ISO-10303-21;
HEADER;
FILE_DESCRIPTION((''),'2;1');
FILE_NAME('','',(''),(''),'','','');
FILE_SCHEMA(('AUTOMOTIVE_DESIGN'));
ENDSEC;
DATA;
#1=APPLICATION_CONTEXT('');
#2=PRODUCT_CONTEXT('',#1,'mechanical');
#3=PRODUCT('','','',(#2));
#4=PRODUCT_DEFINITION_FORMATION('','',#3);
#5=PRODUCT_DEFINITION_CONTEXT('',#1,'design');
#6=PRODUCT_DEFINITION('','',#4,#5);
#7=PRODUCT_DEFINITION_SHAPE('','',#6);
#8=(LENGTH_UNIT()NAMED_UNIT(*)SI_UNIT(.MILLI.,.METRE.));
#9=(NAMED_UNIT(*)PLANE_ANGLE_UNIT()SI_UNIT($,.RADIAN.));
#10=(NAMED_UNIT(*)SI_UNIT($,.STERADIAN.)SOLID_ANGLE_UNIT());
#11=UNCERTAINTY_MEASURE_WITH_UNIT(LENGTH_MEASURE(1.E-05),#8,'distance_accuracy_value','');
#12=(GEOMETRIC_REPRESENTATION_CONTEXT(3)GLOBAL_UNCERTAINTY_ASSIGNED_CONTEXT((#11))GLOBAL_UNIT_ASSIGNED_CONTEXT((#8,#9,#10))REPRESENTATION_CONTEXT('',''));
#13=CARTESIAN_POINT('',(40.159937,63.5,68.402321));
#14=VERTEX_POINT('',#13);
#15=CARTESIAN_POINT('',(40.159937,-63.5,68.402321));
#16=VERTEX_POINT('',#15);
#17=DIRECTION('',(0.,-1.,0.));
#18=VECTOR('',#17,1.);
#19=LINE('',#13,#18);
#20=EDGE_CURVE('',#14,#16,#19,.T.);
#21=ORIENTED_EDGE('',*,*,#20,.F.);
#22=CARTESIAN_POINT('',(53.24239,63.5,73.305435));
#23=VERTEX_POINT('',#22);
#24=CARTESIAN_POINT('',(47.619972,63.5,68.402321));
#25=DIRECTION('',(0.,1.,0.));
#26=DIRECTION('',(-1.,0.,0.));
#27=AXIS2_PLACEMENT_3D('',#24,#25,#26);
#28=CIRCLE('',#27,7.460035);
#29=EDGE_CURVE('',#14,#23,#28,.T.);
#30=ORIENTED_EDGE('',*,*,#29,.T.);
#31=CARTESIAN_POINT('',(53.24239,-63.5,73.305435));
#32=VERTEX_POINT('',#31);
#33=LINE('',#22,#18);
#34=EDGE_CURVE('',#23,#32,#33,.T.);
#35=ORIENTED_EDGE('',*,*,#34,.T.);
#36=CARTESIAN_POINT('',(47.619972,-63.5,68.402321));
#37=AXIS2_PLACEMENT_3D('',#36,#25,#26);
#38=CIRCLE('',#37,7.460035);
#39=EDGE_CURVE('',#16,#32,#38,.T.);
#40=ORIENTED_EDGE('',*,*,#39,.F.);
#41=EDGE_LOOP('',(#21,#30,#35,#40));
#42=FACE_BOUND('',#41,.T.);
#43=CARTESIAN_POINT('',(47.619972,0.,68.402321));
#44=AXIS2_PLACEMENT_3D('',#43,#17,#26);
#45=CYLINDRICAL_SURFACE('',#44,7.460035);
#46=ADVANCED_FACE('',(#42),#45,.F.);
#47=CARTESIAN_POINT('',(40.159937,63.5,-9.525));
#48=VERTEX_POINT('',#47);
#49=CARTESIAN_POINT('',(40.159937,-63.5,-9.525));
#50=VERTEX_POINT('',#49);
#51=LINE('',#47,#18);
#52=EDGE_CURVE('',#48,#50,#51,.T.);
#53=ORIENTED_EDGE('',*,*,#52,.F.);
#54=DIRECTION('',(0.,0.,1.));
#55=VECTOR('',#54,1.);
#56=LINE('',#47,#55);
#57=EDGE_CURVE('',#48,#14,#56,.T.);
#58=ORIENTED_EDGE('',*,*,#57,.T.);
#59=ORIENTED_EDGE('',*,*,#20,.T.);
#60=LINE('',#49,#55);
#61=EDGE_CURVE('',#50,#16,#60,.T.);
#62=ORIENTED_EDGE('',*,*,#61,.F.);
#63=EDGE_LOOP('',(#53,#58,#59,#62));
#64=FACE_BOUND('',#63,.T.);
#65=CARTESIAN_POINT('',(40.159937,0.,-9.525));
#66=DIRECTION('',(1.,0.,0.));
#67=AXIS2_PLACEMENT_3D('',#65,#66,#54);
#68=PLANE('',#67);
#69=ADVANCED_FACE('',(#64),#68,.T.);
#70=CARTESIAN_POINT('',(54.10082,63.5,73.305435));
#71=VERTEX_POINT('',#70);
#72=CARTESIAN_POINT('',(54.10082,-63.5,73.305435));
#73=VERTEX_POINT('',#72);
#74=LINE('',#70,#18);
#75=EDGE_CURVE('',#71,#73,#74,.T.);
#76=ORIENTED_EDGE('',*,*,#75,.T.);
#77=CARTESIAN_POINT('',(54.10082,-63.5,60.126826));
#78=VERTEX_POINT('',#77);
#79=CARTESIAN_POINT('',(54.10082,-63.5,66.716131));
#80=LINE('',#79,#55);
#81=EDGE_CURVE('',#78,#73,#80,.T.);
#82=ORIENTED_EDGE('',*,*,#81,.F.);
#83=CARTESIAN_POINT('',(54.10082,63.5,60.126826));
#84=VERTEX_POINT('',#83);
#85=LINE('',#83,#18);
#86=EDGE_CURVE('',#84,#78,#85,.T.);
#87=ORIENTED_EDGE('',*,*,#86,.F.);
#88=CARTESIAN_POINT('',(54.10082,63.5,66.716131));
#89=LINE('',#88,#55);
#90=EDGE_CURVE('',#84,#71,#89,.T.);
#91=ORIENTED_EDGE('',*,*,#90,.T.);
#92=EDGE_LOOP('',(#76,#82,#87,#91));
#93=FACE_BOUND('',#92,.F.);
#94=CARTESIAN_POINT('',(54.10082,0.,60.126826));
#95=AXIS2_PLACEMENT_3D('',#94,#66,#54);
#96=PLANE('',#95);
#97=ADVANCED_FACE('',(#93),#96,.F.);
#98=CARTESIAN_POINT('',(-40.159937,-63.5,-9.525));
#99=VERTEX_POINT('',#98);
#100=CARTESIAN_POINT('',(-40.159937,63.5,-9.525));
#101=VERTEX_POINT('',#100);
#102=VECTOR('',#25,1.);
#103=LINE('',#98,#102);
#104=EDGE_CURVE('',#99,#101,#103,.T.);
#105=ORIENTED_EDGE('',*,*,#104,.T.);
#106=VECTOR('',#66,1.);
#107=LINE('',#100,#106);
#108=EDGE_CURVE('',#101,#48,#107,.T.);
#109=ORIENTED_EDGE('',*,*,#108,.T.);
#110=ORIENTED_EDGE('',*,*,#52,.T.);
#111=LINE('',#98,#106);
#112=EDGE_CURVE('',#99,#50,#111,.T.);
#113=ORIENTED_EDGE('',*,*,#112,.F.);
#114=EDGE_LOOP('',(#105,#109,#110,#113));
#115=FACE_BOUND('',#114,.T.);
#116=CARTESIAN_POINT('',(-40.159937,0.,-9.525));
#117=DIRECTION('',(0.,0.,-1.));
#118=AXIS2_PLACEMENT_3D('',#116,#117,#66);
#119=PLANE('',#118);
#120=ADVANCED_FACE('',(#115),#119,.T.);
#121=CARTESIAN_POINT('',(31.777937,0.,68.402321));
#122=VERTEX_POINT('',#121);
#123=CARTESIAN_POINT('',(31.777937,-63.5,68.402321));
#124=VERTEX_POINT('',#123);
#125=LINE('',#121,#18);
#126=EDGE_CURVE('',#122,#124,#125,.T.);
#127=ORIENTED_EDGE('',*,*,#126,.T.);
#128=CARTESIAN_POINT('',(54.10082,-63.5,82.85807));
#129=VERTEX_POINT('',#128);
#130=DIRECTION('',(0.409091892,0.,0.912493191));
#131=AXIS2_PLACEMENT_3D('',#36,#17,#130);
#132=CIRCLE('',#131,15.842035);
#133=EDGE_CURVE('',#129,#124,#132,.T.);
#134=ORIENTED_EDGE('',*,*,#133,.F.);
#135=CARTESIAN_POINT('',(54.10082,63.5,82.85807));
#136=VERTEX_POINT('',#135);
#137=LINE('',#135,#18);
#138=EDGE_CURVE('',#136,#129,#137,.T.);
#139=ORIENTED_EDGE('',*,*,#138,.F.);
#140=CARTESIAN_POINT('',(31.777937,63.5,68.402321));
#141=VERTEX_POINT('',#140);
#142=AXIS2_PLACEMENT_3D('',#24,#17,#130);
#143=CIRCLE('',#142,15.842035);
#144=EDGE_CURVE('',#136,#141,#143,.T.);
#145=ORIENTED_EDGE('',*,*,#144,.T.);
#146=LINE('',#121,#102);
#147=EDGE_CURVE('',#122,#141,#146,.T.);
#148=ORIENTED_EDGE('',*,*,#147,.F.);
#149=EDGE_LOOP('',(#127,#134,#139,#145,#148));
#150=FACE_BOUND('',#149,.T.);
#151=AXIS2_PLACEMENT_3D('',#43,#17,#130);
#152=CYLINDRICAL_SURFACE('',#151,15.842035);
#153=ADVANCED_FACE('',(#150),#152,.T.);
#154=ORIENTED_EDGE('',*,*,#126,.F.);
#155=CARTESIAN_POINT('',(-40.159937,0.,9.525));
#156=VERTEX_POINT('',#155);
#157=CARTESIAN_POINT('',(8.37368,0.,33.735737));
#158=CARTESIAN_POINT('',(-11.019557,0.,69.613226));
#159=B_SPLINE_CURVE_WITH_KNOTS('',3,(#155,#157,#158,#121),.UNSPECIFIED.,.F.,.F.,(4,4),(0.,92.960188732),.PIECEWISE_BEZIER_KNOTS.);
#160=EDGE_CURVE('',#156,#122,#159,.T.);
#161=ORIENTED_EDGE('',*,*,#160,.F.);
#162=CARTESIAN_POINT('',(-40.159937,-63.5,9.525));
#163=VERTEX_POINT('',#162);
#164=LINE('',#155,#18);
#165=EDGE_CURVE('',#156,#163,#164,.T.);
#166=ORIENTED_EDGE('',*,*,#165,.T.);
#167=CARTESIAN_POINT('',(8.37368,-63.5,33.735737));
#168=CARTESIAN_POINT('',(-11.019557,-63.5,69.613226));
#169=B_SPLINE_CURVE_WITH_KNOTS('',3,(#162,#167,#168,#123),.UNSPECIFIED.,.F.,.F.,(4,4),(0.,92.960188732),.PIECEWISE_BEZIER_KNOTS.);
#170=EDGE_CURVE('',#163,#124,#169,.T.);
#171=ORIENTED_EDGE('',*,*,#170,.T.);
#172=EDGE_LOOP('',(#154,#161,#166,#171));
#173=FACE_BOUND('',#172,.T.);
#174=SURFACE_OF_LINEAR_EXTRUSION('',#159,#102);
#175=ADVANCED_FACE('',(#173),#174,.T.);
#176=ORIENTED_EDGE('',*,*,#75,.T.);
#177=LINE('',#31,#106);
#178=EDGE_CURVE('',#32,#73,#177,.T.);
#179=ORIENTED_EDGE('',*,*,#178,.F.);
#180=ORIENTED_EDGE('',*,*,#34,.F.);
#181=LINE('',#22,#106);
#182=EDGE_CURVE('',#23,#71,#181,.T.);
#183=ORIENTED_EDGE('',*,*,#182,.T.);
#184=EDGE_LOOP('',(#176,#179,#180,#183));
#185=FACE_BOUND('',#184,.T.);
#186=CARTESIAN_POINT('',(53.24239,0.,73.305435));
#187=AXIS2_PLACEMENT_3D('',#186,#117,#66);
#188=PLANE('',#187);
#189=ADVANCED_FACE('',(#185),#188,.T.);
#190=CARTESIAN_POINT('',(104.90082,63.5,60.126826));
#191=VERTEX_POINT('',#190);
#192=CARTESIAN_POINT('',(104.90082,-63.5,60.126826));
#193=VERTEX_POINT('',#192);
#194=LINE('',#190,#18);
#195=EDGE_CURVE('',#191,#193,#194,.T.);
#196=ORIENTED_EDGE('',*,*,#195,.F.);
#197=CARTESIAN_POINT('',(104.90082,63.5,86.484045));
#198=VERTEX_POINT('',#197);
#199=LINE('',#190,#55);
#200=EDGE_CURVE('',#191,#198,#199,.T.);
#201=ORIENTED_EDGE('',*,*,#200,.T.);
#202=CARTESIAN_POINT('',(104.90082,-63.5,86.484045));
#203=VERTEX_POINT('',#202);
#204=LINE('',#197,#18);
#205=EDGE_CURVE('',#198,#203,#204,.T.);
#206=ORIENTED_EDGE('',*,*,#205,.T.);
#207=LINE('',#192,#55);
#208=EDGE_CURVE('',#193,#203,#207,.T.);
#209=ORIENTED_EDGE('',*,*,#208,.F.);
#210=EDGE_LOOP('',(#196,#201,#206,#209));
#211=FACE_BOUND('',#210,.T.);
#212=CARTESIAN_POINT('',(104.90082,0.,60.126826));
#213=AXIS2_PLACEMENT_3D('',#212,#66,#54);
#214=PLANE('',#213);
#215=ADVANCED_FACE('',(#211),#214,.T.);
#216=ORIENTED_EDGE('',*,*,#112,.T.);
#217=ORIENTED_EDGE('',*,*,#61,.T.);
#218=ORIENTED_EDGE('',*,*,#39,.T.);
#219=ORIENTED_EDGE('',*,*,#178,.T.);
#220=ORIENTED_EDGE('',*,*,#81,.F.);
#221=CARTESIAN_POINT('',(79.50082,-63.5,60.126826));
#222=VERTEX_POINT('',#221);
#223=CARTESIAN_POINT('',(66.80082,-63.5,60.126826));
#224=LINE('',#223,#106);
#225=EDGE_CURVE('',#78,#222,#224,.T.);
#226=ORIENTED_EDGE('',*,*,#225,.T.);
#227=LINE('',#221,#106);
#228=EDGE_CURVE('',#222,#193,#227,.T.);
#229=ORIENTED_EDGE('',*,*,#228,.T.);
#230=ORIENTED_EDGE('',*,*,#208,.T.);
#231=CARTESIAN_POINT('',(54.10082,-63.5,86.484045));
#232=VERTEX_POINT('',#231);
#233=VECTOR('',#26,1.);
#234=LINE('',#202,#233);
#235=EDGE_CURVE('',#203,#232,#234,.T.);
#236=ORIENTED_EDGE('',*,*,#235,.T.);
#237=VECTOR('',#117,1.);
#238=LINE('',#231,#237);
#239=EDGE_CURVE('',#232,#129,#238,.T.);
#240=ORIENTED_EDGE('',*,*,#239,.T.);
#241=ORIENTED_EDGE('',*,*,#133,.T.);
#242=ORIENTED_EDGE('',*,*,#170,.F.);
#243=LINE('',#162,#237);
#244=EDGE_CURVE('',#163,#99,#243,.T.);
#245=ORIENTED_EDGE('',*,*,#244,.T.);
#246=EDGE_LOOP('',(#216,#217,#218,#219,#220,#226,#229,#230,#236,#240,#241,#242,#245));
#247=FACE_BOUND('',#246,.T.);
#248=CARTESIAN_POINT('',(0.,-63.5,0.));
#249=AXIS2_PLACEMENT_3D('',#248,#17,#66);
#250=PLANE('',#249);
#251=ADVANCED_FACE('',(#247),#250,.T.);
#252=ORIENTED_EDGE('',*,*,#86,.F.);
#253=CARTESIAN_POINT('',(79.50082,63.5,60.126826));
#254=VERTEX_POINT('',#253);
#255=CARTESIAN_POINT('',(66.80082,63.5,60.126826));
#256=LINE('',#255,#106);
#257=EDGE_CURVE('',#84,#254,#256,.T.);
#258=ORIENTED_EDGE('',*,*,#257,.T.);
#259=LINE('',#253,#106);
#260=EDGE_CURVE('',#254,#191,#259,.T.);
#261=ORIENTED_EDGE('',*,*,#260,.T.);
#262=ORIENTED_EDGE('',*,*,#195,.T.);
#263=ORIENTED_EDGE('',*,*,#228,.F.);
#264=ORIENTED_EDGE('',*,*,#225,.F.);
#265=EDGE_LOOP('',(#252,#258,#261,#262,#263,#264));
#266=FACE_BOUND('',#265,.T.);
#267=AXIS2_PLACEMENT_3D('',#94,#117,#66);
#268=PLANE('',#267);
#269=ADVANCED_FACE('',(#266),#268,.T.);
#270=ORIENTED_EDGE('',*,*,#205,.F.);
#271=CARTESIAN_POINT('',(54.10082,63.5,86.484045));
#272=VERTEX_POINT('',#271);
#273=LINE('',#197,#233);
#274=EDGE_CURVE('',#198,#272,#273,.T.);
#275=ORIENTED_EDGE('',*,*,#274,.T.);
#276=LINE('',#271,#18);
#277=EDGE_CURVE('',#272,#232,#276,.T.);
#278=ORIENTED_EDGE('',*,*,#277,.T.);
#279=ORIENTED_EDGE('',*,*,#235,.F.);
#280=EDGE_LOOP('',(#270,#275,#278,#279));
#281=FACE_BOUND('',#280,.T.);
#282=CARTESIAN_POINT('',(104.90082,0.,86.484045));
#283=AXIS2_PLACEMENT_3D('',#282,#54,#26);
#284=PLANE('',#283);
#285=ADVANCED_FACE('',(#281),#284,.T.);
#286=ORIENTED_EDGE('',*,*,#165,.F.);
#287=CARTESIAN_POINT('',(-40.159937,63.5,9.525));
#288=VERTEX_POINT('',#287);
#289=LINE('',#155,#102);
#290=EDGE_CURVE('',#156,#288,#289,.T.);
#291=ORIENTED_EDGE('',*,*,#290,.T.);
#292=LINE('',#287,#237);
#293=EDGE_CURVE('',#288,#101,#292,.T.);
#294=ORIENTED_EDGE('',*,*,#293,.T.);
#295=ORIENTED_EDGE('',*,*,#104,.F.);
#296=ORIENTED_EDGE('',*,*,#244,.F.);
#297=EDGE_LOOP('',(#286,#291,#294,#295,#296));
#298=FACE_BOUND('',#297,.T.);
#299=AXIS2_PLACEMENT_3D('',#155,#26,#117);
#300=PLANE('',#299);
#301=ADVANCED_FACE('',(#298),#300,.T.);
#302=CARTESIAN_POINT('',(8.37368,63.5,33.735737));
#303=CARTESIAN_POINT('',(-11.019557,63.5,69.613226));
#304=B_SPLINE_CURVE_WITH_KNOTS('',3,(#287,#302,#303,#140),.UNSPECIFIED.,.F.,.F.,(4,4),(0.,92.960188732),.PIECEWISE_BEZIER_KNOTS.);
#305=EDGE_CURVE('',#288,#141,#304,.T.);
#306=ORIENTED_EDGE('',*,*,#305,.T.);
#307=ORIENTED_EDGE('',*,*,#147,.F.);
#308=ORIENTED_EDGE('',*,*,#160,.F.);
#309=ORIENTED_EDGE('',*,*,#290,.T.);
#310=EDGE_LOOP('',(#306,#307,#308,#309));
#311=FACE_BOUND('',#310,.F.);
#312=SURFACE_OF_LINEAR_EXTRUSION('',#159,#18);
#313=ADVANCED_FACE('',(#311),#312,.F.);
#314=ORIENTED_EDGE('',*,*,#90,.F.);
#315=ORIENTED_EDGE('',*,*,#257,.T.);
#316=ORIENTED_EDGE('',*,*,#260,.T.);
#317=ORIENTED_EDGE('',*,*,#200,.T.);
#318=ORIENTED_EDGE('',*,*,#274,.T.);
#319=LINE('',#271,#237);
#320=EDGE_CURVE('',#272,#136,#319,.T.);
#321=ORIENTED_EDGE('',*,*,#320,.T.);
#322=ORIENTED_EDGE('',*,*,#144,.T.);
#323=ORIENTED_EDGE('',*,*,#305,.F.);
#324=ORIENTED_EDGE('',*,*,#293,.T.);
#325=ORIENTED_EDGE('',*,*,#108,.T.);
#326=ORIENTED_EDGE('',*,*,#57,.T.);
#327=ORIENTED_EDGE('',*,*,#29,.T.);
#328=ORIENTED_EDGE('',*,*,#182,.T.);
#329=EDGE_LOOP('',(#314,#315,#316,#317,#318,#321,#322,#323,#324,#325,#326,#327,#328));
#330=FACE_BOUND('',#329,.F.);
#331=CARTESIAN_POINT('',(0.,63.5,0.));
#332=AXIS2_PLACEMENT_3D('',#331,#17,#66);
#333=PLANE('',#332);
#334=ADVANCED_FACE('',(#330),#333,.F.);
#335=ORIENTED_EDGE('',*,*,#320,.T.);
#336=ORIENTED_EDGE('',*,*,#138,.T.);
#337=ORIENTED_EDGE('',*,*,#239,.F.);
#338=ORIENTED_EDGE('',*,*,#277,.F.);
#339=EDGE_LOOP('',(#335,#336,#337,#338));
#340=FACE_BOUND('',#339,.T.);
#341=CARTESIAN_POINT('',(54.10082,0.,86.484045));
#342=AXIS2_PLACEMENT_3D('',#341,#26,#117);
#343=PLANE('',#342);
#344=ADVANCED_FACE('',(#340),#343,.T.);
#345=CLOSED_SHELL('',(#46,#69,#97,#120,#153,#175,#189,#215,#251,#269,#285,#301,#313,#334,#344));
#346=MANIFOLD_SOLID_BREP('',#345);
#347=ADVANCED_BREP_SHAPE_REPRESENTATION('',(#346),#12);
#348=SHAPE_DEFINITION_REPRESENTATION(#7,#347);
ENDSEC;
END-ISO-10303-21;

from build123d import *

# Parameters (mm, degrees)
F0_W     = 25.4
F0_H     = 13.1786093116
F1_DEPTH = 63.5


with BuildPart() as f1:
    # F0 (on Front) → F1 (new body, symmetric)
    with BuildSketch(Plane.XZ):
        Polygon((-40.1599369943, -9.525), (40.1599369943, -9.525), (40.1599369943, 9.525), (31.7779369652, 9.525), (-40.1599369943, 9.525), align=None)
        with BuildLine():
            Line((31.7779369652, 9.525), (40.1599369943, 9.525))
            Line((40.1599369943, 9.525), (40.1599369943, 68.4023214343))
            ThreePointArc((40.1599369943, 68.4023214343), (45.0018921637, 75.3878619554), (53.2423900817, 73.3054354144))
            Line((53.2423900817, 73.3054354144), (54.1008195247, 73.3054354144))
            Line((54.1008195247, 73.3054354144), (54.1008195247, 82.8580701694))
            ThreePointArc((54.1008195247, 82.8580701694), (39.0089250876, 81.6996873131), (31.7779369652, 68.4023214343))
            Line((31.7779369652, 68.4023214343), (31.7779369652, 9.525))
        make_face()
        with BuildLine():
            add(Edge.make_bspline(
                [(-40.1599369943, 9.525), (8.3736795932, 33.7357372046), (-11.0195567831, 69.6132257581), (31.7779369652, 68.4023214343)],
                knots=[0, 0, 0, 0, 92.960188732, 92.960188732, 92.960188732, 92.960188732], degree=3))
            Line((-40.1599369943, 9.525), (31.7779369652, 9.525))
            Line((31.7779369652, 9.525), (31.7779369652, 68.4023214343))
        make_face()
        with BuildLine():
            ThreePointArc((56.2499082782, 81.6874354435), (55.198002297, 82.3143130986), (54.1008195247, 82.8580701694))
            Line((54.1008195247, 82.8580701694), (54.1008195247, 73.3054354144))
            Line((54.1008195247, 73.3054354144), (79.5008195247, 73.3054354144))
            Line((79.5008195247, 73.3054354144), (79.5008195247, 81.6874354435))
            Line((79.5008195247, 81.6874354435), (56.2499082782, 81.6874354435))
        make_face()
        with BuildLine():
            Line((54.1008195247, 86.484044726), (54.1008195247, 82.8580701694))
            ThreePointArc((54.1008195247, 82.8580701694), (55.198002297, 82.3143130986), (56.2499082782, 81.6874354435))
            Line((56.2499082782, 81.6874354435), (79.5008195247, 81.6874354435))
            Line((79.5008195247, 81.6874354435), (79.5008195247, 86.484044726))
            Line((79.5008195247, 86.484044726), (54.1008195247, 86.484044726))
        make_face()
        with Locations((66.8008195247, 66.7161307586)):
            Rectangle(F0_W, F0_H)
        Polygon((79.5008195247, 81.6874354435), (79.5008195247, 73.3054354144), (79.5008195247, 60.1268261029), (104.9008195247, 60.1268261029), (104.9008195247, 86.484044726), (79.5008195247, 86.484044726), align=None)
    extrude(amount=F1_DEPTH, both=True)


solid = f1.part
